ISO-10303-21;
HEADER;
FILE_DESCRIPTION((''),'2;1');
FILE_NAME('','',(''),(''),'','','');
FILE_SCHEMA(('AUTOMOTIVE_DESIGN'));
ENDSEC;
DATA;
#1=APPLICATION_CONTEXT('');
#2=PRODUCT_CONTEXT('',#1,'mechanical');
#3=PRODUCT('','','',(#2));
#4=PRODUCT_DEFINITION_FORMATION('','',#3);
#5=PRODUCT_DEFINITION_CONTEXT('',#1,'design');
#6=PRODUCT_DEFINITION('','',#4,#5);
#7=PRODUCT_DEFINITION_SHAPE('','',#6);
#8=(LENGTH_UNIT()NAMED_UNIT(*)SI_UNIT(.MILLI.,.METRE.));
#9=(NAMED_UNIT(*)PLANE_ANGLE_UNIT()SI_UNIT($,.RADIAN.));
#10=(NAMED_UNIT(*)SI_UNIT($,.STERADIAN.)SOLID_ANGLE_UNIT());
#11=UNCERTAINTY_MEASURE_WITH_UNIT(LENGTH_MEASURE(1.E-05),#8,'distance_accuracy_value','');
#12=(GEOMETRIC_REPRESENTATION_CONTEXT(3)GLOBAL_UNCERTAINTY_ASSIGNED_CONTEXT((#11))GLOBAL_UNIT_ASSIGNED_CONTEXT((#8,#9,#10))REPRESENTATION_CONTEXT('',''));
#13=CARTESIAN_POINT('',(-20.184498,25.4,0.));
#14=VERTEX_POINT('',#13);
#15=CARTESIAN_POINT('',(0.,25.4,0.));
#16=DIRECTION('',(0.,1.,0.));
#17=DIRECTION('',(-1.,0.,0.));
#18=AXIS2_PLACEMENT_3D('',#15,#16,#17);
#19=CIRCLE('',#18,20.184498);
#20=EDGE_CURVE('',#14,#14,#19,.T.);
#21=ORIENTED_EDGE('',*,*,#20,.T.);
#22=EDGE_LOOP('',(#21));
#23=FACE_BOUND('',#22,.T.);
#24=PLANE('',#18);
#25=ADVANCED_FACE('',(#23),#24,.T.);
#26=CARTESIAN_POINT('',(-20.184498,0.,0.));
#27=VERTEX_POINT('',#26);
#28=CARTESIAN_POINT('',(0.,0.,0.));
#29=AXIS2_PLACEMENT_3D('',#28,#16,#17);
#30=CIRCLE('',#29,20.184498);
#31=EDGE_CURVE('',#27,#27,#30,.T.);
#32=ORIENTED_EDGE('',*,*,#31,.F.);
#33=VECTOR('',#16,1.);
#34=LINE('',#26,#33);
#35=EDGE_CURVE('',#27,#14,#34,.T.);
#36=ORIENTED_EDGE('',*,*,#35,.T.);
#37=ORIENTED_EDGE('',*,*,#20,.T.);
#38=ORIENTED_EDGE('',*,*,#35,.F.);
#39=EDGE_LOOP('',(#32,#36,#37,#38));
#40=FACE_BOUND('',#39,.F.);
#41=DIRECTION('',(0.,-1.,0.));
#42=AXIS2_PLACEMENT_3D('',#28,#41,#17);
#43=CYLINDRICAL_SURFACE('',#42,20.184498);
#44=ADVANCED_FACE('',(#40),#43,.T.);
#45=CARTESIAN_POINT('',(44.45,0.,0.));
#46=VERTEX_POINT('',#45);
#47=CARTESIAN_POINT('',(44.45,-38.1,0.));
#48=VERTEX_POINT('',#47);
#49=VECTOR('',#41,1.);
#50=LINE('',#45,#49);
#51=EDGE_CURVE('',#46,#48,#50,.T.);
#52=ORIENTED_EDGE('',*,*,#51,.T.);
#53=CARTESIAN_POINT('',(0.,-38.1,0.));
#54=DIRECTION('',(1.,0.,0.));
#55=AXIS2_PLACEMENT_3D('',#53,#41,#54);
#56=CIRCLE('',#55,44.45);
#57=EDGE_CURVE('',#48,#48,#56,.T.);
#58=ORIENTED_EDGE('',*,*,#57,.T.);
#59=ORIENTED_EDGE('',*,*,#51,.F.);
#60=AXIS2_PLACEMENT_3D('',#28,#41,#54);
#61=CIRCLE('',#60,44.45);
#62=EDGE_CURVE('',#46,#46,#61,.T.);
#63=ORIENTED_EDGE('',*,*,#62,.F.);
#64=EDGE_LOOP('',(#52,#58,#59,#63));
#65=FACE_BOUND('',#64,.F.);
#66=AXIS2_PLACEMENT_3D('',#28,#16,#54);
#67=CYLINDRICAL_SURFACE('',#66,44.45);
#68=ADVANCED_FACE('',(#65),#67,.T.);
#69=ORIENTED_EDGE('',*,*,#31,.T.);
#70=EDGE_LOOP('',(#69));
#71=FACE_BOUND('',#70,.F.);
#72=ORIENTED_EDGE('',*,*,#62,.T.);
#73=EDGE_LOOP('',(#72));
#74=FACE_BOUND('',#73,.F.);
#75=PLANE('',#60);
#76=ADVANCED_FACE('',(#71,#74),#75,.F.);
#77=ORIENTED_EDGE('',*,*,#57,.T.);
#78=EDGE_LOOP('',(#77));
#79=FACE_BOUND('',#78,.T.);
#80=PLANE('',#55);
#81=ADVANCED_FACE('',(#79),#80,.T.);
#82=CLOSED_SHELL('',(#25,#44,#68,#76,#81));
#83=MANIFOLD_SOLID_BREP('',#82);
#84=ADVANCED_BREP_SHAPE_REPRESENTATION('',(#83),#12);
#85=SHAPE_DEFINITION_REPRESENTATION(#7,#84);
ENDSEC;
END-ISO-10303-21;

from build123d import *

# Parameters (mm, degrees)
F0_R     = 44.45
F0_R_2   = 31.75
F1_DEPTH = 38.1
F2_R     = 20.184497551
F3_DEPTH = 25.4
F4_R     = 23.9709309674
F5_DEPTH = 25.654


with BuildPart() as f1:
    # F0 (on Front) → F1 (new body)
    with BuildSketch(Plane.XZ):
        Circle(F0_R)
        Circle(F0_R_2, mode=Mode.SUBTRACT)
        Circle(F0_R_2)
    extrude(amount=F1_DEPTH)

    # F2 (on face) → F3 (join)
    with BuildSketch(Plane(origin=(0, 0, 0), x_dir=(-1, 0, 0), z_dir=(0, 1, 0))):
        Circle(F2_R)
    extrude(amount=F3_DEPTH)

    # F4 (on face) → F5 (join)
    with BuildSketch(Plane.XZ.offset(38.1)):
        Circle(F4_R)
    extrude(amount=-F5_DEPTH)


solid = f1.part
